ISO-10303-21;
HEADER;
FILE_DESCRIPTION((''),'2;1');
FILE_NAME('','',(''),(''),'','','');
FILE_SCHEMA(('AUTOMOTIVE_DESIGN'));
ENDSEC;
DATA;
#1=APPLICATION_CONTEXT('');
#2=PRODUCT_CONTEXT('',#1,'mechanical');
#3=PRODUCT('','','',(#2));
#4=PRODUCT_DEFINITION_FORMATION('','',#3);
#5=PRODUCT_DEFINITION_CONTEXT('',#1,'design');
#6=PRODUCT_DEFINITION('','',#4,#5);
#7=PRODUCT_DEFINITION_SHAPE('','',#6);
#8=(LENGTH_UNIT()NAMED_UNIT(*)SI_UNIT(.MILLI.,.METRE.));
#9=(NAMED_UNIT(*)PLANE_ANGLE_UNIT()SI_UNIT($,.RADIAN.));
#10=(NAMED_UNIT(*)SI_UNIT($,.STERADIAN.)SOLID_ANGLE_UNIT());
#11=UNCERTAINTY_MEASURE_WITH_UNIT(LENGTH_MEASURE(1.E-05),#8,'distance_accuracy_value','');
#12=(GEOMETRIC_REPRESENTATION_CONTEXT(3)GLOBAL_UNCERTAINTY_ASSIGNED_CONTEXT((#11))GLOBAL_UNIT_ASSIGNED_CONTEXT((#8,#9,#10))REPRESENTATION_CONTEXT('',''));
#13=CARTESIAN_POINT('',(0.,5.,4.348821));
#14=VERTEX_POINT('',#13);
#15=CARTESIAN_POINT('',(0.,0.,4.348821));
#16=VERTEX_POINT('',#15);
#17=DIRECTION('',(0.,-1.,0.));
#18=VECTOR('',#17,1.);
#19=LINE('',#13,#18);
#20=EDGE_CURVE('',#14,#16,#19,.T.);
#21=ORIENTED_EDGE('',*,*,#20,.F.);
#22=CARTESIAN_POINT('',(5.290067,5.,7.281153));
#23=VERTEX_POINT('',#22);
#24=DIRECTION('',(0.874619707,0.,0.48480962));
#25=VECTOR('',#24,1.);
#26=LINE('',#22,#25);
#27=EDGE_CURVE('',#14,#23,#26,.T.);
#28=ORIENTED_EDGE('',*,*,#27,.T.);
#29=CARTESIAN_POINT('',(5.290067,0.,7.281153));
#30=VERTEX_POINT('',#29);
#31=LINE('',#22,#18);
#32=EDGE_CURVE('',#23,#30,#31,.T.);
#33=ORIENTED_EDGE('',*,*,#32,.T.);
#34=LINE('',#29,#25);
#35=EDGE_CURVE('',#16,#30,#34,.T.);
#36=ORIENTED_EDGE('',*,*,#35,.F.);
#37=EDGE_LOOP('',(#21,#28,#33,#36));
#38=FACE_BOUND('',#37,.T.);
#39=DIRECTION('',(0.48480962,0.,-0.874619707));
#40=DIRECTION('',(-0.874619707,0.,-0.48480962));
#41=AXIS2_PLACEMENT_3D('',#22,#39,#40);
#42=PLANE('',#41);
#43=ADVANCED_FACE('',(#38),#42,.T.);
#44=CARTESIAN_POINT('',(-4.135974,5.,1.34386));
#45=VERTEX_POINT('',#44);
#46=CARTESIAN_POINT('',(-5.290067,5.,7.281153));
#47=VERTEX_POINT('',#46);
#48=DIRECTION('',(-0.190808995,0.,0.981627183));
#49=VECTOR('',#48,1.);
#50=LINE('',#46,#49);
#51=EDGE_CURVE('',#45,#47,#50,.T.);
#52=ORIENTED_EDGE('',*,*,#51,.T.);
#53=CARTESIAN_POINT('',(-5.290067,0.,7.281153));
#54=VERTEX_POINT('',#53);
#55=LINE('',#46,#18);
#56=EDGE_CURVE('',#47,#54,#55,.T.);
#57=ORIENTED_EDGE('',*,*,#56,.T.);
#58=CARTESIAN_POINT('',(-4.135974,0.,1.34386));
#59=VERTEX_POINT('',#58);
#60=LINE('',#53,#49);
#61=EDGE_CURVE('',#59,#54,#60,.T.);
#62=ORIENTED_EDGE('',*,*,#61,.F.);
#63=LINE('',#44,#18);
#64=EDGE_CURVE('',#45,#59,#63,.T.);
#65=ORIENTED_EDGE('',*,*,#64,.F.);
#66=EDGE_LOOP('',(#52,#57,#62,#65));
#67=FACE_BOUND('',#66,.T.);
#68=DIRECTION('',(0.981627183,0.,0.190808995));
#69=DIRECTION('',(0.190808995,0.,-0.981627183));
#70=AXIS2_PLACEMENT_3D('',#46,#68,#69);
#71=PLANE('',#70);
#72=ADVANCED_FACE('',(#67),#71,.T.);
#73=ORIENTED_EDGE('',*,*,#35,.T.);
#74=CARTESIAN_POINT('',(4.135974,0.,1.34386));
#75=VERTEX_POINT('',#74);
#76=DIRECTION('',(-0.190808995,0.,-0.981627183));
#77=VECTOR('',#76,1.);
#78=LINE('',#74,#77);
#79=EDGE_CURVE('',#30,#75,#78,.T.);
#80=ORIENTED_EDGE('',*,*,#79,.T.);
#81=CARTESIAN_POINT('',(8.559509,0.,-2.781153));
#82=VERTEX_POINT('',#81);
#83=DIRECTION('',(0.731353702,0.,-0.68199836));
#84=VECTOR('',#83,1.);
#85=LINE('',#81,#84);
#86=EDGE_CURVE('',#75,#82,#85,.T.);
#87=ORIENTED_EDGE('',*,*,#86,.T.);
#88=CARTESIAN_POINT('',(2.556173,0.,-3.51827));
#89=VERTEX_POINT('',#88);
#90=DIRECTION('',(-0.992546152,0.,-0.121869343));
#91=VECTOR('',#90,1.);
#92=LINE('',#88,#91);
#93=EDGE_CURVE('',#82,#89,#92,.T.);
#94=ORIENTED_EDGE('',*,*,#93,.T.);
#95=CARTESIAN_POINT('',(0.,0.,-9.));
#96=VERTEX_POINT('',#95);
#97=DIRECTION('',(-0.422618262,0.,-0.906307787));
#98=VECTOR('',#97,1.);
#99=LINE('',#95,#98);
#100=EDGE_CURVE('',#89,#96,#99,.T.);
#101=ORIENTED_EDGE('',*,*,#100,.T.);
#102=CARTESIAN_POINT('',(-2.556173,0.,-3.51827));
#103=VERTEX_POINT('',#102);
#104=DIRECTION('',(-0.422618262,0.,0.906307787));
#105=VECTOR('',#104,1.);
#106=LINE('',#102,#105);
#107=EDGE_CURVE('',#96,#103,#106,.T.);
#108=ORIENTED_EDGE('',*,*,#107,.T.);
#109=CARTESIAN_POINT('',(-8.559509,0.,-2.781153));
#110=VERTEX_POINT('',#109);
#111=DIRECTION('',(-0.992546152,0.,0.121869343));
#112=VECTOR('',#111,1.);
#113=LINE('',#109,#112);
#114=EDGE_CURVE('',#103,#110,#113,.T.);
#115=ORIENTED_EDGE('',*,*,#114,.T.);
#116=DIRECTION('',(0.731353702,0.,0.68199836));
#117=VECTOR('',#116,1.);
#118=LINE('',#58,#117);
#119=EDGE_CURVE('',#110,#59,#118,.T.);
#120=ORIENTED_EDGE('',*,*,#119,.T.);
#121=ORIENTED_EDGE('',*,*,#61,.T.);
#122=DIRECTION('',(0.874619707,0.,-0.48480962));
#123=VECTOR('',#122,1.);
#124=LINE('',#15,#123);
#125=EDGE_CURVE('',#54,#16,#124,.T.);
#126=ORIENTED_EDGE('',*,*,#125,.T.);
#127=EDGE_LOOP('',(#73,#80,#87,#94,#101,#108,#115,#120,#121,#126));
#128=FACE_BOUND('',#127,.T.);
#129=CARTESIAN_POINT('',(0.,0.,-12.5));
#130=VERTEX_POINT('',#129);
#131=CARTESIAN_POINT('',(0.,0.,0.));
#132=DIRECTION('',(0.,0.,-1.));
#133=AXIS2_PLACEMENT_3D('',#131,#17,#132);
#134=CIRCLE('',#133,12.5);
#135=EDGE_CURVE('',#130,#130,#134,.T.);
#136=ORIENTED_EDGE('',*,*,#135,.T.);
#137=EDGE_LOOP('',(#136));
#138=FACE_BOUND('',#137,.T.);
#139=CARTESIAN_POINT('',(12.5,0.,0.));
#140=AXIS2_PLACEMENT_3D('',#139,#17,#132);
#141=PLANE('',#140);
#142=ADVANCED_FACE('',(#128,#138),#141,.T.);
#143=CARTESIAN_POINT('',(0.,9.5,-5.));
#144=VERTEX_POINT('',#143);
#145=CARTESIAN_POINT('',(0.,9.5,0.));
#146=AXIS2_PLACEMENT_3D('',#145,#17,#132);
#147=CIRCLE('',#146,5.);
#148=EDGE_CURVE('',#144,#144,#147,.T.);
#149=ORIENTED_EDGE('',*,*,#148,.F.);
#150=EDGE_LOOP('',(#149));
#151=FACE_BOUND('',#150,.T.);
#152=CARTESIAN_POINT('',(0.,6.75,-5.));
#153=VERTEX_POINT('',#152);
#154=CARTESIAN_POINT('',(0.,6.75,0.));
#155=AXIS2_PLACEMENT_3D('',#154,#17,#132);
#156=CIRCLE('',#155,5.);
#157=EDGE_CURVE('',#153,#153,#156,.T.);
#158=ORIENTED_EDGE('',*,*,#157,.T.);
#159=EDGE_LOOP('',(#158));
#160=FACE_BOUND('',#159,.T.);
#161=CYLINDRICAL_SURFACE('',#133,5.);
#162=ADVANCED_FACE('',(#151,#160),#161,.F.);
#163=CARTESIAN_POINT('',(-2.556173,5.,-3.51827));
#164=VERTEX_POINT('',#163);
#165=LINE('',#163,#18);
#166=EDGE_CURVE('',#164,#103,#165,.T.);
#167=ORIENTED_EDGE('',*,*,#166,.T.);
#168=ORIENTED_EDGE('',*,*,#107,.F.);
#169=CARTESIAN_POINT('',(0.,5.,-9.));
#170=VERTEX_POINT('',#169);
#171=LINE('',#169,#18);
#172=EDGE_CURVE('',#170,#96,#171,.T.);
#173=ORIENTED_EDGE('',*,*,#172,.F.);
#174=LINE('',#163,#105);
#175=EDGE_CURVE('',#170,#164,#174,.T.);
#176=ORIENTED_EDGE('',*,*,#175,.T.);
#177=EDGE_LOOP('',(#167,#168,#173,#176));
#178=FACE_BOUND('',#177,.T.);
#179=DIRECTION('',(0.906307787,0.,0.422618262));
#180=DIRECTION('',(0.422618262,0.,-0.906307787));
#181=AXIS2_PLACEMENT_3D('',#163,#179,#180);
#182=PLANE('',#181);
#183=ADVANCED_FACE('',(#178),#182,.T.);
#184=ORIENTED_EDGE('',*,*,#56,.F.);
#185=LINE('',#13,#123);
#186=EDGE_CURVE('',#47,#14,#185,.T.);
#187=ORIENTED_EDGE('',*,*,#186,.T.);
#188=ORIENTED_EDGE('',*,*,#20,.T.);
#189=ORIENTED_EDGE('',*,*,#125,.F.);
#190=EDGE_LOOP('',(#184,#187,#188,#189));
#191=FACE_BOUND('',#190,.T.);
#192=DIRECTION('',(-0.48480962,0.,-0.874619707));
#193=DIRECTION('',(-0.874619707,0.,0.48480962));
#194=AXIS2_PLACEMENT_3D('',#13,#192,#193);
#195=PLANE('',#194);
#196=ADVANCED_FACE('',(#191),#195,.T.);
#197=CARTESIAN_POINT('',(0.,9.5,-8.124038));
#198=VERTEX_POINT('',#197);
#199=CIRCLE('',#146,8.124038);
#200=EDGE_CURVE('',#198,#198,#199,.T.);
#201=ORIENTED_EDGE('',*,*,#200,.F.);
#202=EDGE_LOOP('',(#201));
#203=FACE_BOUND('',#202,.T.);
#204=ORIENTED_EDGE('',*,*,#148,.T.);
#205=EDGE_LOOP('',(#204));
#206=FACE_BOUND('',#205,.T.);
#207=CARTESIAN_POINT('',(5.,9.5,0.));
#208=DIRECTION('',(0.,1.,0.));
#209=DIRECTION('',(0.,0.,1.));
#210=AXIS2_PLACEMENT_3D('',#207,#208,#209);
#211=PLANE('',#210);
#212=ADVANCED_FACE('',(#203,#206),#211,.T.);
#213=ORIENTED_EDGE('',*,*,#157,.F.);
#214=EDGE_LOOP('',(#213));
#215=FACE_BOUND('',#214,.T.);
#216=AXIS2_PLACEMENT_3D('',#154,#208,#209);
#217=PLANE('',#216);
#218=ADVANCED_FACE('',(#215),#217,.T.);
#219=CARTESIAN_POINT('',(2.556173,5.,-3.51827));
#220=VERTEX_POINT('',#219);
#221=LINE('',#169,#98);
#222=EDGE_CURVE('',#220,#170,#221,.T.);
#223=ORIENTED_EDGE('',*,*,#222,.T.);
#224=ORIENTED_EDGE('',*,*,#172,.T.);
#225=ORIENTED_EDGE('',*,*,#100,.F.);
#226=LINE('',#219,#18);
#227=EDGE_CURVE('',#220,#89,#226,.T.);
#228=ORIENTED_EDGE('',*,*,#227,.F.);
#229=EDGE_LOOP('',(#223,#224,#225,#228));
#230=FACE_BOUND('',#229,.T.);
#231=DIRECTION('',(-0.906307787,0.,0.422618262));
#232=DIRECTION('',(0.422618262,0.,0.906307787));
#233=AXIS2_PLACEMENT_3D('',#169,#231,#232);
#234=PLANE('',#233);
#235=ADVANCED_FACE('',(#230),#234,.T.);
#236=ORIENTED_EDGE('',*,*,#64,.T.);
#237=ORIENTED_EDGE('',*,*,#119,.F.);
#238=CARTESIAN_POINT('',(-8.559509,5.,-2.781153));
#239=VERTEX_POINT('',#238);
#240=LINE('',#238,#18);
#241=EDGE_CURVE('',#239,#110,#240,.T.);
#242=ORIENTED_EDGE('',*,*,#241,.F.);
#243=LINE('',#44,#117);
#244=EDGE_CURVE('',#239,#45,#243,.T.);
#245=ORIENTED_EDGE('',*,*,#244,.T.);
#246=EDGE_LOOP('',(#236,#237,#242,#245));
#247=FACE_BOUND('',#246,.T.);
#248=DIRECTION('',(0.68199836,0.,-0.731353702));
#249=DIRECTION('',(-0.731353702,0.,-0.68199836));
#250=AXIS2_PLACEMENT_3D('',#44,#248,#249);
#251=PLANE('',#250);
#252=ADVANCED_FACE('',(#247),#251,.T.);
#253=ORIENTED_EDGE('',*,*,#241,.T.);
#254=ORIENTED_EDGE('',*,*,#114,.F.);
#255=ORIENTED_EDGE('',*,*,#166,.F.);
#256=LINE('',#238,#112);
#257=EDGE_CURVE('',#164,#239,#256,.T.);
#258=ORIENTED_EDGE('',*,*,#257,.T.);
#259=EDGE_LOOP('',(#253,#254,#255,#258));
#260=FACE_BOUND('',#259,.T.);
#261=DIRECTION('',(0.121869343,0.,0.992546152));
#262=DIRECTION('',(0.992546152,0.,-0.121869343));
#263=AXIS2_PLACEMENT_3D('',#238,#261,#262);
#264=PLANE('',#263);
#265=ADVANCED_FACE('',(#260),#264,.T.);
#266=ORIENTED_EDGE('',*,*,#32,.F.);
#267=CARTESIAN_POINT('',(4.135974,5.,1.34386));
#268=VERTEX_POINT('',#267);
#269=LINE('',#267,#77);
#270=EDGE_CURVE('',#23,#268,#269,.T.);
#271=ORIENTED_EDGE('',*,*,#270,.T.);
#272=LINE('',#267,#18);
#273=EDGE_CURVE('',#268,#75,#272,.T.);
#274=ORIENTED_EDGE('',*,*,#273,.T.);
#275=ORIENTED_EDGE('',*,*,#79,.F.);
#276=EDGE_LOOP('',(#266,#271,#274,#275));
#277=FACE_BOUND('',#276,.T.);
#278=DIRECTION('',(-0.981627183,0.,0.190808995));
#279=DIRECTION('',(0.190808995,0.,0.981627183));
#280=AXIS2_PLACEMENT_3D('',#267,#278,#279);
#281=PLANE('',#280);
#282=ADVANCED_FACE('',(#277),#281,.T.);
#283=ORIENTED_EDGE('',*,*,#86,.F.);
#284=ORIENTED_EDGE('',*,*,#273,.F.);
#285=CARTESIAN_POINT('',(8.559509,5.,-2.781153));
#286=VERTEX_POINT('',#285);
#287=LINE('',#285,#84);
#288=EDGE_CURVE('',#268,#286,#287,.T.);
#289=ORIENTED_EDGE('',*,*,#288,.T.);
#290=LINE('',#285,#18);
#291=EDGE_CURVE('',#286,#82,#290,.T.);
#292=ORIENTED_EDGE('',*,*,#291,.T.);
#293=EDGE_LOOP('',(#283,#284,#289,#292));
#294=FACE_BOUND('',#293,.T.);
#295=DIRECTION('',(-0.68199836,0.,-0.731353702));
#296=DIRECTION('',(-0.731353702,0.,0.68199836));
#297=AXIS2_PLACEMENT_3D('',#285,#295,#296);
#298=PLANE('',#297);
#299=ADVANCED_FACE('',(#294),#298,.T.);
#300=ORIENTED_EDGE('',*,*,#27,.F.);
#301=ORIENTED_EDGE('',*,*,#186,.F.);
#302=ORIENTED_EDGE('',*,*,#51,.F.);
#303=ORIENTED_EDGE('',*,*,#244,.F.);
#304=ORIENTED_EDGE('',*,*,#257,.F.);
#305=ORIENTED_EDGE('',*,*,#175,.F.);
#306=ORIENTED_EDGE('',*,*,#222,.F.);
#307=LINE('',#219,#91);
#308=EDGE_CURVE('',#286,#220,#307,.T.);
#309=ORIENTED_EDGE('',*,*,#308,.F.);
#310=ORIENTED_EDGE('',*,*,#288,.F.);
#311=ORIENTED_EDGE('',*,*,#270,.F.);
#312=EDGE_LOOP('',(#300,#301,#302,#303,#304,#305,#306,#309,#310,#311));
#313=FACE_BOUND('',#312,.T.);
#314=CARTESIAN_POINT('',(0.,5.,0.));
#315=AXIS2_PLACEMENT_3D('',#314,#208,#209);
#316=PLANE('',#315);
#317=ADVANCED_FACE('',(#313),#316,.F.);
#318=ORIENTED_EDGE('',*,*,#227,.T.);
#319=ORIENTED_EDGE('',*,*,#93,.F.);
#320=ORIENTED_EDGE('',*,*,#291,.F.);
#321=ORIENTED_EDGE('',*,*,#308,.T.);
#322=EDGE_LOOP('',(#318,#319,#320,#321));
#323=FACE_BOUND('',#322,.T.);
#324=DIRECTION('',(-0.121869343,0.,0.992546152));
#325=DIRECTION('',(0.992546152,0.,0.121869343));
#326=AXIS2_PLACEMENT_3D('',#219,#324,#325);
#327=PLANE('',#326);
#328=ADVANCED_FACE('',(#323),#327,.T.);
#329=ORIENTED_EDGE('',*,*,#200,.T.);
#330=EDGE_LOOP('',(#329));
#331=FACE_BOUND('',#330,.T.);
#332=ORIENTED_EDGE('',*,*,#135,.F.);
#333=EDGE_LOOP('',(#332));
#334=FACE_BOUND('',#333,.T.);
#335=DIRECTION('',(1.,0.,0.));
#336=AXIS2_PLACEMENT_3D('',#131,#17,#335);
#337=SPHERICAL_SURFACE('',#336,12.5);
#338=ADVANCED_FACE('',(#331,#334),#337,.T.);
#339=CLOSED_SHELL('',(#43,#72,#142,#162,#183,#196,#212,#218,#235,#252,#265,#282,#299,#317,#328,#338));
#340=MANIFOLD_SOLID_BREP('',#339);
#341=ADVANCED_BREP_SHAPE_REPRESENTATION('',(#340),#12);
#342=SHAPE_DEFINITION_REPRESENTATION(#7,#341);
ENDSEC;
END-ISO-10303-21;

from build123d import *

# Parameters (mm, degrees)
CUT_EXTRUDE1_DEPTH = 5


with BuildPart() as part:
    # Sketch1 → Revolve1 (revolve)
    with BuildSketch(Plane.XY, mode=Mode.PRIVATE) as revolve1_sk:
        with BuildLine():
            Line((12.5, 0), (0, 0))
            Line((0, 0), (0, 6.75))
            Line((0, 6.75), (5, 6.75))
            Line((5, 6.75), (5, 9.5))
            Line((5, 9.5), (8.124038405, 9.5))
            ThreePointArc((8.124038405, 9.5), (11.353424154, 5.229699797), (12.5, 0))
        make_face()
    revolve(revolve1_sk.sketch.rotate(Axis((0, 0, 0), (0, 1, 0)), 90), axis=Axis((0, 0, 0), (0, 1, 0)))

    # Sketch2 → Cut-Extrude1 (cut)
    with BuildSketch(Plane(origin=(0, 0, 0), x_dir=(1, 0, 0), z_dir=(0, 1, 0))):
        Polygon((0, 9), (2.556172718, 3.518269915), (8.559508647, 2.781152949), (4.13597434, -1.343859526), (5.290067271, -7.281152949), (0, -4.348820778), (-5.290067271, -7.281152949), (-4.13597434, -1.343859526), (-8.559508647, 2.781152949), (-2.556172718, 3.518269915), align=None)
    extrude(amount=CUT_EXTRUDE1_DEPTH, mode=Mode.SUBTRACT)


solid = part.part
